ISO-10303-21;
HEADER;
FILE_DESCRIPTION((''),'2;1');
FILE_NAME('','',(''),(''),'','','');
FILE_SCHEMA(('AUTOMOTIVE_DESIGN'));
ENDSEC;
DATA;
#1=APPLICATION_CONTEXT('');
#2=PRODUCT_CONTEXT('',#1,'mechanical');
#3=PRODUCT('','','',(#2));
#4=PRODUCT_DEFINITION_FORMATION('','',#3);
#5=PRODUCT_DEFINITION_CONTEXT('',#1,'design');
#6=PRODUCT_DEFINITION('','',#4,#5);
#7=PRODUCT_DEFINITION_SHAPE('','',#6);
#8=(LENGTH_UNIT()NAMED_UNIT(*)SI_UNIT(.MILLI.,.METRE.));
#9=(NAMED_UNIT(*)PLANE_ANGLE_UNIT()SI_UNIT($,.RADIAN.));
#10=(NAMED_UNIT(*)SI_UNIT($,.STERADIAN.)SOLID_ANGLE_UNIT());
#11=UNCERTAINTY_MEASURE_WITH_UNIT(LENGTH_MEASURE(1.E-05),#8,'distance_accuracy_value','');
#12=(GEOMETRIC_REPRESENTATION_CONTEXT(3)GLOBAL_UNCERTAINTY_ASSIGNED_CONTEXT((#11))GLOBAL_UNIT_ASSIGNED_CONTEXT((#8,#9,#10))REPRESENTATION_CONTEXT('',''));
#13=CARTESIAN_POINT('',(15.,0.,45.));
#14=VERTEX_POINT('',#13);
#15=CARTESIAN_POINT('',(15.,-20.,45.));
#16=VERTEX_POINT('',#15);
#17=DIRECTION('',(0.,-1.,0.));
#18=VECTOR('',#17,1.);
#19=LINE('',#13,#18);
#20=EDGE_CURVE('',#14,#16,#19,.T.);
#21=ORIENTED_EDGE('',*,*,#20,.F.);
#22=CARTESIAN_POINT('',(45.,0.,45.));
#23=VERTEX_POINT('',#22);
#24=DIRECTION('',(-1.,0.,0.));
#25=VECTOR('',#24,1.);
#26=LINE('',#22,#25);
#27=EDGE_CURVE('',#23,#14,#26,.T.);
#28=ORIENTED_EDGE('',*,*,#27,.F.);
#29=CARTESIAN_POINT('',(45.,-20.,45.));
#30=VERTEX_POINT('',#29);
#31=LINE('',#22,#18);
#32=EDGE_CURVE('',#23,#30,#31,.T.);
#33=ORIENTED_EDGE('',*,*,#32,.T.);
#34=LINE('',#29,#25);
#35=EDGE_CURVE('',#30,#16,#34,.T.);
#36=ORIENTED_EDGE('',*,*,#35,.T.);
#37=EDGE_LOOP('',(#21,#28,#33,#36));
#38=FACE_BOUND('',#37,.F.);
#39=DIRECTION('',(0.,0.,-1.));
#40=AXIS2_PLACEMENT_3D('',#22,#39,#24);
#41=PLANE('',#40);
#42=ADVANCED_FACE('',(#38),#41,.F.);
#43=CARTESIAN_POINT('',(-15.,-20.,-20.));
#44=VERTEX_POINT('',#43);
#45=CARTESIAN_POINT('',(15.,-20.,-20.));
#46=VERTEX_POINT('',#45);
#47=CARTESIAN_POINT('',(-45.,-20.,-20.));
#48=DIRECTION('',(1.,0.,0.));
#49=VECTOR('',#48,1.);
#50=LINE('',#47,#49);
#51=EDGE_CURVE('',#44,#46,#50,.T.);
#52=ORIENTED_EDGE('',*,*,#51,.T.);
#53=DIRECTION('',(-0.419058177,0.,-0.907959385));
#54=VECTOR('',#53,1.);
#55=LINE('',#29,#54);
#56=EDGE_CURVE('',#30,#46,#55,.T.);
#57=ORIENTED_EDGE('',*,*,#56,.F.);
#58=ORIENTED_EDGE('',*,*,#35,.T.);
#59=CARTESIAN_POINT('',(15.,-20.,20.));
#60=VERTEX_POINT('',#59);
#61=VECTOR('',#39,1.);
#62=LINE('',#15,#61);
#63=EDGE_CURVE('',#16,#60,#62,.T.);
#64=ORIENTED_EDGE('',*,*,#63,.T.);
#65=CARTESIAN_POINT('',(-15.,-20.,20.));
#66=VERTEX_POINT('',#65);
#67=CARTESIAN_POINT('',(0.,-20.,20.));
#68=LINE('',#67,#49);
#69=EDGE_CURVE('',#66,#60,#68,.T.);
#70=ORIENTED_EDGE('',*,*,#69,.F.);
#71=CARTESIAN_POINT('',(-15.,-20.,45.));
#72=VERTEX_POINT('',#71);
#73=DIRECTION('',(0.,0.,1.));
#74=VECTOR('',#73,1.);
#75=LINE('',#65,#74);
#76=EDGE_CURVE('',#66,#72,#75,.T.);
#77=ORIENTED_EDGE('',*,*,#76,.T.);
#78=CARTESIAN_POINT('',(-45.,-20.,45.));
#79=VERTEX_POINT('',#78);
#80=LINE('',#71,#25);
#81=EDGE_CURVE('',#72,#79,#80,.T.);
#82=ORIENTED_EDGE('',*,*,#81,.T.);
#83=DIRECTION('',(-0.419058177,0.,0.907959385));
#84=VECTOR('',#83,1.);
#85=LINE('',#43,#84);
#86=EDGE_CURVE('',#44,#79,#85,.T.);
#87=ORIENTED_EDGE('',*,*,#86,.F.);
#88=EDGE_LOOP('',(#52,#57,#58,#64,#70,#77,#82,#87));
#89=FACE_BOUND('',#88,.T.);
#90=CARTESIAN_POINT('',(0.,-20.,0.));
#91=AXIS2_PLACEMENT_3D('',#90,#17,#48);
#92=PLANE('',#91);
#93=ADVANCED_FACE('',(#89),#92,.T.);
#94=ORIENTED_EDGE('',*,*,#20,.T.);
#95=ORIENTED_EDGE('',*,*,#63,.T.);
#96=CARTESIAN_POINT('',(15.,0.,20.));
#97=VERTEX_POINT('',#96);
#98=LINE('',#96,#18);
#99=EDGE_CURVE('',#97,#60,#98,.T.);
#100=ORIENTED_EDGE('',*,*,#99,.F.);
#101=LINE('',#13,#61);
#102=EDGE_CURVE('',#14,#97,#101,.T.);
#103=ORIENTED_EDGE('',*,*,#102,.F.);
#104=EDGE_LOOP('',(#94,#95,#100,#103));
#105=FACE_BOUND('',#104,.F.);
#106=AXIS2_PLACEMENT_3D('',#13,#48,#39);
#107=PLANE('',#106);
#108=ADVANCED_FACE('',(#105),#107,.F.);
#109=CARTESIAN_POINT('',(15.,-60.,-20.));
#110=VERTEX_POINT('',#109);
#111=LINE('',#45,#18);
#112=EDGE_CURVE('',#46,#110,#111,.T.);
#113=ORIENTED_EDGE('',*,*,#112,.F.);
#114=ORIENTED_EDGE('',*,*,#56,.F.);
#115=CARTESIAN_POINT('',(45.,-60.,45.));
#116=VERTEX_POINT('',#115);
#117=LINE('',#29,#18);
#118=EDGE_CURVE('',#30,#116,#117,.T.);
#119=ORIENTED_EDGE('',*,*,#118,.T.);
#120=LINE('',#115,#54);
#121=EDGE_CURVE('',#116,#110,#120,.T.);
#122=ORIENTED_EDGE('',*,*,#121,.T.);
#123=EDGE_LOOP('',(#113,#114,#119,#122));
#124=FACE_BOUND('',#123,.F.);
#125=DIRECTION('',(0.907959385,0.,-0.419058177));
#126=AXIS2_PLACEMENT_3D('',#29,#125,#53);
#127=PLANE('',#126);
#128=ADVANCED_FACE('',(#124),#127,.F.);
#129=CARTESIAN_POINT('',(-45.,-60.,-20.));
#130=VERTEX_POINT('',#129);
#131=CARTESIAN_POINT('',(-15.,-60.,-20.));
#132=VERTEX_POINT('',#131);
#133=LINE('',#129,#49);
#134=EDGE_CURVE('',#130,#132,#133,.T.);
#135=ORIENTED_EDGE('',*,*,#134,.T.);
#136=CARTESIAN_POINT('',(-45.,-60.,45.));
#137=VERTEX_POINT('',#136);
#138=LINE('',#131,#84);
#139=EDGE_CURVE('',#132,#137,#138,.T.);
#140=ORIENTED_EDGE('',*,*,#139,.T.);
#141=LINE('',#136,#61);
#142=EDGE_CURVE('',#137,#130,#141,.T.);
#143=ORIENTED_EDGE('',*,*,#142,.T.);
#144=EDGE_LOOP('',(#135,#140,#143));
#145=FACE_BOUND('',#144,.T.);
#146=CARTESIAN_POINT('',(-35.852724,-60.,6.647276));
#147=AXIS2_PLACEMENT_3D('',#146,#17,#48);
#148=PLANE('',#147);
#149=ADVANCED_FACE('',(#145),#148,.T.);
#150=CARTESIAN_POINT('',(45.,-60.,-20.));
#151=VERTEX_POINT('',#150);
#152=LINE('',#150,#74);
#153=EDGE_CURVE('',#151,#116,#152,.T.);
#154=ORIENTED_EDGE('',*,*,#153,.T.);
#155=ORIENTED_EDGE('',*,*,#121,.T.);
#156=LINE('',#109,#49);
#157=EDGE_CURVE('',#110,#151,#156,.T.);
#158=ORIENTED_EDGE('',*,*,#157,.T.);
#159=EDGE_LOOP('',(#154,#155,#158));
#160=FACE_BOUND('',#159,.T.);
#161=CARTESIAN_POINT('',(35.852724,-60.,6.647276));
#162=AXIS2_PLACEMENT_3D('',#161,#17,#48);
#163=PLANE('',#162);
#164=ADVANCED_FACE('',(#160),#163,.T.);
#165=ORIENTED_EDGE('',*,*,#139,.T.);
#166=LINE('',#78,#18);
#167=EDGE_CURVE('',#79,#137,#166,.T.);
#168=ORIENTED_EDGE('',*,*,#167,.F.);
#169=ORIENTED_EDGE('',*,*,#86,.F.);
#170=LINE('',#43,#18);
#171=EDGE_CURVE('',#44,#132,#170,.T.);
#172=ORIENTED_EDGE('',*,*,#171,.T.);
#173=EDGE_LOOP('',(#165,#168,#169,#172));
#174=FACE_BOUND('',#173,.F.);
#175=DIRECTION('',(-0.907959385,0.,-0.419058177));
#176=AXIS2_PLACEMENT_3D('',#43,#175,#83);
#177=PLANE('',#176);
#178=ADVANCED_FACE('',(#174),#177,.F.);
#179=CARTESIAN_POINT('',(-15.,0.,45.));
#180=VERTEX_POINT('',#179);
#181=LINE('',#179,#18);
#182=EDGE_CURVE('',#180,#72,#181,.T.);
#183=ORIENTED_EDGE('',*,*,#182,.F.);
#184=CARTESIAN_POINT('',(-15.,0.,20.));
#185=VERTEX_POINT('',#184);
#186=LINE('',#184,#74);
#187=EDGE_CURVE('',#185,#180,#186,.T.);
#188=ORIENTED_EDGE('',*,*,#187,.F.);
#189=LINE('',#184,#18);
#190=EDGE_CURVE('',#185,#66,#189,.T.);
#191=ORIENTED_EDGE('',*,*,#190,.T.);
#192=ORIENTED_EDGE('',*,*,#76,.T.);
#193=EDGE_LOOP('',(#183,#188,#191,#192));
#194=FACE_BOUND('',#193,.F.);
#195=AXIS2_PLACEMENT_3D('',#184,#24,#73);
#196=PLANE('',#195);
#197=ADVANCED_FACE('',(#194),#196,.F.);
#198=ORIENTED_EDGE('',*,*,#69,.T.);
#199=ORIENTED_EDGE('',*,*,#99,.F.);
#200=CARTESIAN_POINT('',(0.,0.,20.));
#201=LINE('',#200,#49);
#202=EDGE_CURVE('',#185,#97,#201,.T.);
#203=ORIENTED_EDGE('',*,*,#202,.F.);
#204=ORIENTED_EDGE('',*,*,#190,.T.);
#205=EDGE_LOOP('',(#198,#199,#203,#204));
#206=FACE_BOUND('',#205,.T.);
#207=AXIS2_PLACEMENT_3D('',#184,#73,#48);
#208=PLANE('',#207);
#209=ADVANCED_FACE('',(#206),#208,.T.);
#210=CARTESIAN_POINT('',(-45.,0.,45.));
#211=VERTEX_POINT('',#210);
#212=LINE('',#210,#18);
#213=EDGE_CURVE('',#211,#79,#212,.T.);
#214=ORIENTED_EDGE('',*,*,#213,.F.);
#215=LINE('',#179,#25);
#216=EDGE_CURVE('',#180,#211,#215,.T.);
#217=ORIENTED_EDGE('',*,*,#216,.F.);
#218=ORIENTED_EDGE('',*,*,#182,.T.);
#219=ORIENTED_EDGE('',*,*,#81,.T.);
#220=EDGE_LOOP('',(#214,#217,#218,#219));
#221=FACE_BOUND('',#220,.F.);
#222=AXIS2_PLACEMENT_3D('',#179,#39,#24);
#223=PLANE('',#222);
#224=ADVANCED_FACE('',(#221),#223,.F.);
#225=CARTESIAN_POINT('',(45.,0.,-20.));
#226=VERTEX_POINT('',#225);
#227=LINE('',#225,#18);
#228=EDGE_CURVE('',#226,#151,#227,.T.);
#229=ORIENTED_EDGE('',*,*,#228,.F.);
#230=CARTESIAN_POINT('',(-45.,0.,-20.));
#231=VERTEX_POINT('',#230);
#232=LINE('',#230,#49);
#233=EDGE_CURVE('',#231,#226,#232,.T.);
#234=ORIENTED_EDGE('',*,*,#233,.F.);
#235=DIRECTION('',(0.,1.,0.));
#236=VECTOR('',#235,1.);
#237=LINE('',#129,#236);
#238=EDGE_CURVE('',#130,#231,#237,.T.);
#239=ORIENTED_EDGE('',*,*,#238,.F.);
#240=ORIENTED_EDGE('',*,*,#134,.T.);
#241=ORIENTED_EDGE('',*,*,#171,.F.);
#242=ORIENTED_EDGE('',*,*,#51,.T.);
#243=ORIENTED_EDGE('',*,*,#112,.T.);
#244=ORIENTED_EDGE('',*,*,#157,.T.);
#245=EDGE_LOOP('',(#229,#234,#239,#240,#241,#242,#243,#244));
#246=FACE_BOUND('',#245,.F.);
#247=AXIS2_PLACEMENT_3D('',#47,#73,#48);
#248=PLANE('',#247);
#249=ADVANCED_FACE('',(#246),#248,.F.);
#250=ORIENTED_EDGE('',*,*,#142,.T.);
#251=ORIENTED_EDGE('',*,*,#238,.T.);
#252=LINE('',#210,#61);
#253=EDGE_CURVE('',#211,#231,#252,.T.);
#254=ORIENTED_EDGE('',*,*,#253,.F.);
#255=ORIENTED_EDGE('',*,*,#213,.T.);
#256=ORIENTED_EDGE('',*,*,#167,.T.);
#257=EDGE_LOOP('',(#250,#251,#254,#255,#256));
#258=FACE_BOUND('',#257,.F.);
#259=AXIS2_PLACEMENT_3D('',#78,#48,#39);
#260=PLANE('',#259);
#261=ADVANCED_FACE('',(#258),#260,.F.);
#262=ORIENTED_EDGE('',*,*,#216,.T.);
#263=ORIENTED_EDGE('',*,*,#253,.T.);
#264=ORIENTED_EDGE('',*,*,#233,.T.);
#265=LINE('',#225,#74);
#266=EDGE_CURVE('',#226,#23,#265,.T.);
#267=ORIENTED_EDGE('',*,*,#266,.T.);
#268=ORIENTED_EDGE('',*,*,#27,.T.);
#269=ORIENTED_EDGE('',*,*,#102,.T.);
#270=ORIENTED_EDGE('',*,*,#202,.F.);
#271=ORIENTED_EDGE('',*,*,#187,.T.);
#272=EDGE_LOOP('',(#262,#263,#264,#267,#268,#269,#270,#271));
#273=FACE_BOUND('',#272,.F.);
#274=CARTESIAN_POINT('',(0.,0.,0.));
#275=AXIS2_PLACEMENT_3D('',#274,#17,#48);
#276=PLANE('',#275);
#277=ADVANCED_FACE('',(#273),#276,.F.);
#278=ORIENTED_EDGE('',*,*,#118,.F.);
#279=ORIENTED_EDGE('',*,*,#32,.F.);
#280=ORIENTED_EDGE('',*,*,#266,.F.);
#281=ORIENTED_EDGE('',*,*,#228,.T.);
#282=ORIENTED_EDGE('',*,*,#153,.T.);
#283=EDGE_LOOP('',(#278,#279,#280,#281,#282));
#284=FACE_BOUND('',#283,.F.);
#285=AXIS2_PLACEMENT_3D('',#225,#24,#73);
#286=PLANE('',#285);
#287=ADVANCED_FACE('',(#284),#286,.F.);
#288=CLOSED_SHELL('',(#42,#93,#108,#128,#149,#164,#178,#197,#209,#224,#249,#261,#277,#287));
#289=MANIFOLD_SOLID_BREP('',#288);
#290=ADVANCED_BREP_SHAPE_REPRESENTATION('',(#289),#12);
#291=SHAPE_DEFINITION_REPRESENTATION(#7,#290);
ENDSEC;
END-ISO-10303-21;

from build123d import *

# Parameters (mm, degrees)
F0_W     = 30
F0_H     = 40
F1_DEPTH = 20
F3_DEPTH = 40


with BuildPart() as f1:
    # F0 (on Front) → F1 (new body)
    with BuildSketch(Plane.XZ):
        Rectangle(F0_W, F0_H)
        Polygon((15, 45), (15, 20), (15, -20), (45, -20), (45, 45), align=None)
        Polygon((-15, -20), (-15, 20), (-15, 45), (-45, 45), (-45, -20), align=None)
    extrude(amount=F1_DEPTH)

    # F2 (on face) → F3 (join)
    with BuildSketch(Plane.XZ.offset(20)):
        Polygon((-15, -20), (-45, 45), (-45, -20), align=None)
        Polygon((45, 45), (15, -20), (45, -20), align=None)
    extrude(amount=F3_DEPTH)


solid = f1.part
